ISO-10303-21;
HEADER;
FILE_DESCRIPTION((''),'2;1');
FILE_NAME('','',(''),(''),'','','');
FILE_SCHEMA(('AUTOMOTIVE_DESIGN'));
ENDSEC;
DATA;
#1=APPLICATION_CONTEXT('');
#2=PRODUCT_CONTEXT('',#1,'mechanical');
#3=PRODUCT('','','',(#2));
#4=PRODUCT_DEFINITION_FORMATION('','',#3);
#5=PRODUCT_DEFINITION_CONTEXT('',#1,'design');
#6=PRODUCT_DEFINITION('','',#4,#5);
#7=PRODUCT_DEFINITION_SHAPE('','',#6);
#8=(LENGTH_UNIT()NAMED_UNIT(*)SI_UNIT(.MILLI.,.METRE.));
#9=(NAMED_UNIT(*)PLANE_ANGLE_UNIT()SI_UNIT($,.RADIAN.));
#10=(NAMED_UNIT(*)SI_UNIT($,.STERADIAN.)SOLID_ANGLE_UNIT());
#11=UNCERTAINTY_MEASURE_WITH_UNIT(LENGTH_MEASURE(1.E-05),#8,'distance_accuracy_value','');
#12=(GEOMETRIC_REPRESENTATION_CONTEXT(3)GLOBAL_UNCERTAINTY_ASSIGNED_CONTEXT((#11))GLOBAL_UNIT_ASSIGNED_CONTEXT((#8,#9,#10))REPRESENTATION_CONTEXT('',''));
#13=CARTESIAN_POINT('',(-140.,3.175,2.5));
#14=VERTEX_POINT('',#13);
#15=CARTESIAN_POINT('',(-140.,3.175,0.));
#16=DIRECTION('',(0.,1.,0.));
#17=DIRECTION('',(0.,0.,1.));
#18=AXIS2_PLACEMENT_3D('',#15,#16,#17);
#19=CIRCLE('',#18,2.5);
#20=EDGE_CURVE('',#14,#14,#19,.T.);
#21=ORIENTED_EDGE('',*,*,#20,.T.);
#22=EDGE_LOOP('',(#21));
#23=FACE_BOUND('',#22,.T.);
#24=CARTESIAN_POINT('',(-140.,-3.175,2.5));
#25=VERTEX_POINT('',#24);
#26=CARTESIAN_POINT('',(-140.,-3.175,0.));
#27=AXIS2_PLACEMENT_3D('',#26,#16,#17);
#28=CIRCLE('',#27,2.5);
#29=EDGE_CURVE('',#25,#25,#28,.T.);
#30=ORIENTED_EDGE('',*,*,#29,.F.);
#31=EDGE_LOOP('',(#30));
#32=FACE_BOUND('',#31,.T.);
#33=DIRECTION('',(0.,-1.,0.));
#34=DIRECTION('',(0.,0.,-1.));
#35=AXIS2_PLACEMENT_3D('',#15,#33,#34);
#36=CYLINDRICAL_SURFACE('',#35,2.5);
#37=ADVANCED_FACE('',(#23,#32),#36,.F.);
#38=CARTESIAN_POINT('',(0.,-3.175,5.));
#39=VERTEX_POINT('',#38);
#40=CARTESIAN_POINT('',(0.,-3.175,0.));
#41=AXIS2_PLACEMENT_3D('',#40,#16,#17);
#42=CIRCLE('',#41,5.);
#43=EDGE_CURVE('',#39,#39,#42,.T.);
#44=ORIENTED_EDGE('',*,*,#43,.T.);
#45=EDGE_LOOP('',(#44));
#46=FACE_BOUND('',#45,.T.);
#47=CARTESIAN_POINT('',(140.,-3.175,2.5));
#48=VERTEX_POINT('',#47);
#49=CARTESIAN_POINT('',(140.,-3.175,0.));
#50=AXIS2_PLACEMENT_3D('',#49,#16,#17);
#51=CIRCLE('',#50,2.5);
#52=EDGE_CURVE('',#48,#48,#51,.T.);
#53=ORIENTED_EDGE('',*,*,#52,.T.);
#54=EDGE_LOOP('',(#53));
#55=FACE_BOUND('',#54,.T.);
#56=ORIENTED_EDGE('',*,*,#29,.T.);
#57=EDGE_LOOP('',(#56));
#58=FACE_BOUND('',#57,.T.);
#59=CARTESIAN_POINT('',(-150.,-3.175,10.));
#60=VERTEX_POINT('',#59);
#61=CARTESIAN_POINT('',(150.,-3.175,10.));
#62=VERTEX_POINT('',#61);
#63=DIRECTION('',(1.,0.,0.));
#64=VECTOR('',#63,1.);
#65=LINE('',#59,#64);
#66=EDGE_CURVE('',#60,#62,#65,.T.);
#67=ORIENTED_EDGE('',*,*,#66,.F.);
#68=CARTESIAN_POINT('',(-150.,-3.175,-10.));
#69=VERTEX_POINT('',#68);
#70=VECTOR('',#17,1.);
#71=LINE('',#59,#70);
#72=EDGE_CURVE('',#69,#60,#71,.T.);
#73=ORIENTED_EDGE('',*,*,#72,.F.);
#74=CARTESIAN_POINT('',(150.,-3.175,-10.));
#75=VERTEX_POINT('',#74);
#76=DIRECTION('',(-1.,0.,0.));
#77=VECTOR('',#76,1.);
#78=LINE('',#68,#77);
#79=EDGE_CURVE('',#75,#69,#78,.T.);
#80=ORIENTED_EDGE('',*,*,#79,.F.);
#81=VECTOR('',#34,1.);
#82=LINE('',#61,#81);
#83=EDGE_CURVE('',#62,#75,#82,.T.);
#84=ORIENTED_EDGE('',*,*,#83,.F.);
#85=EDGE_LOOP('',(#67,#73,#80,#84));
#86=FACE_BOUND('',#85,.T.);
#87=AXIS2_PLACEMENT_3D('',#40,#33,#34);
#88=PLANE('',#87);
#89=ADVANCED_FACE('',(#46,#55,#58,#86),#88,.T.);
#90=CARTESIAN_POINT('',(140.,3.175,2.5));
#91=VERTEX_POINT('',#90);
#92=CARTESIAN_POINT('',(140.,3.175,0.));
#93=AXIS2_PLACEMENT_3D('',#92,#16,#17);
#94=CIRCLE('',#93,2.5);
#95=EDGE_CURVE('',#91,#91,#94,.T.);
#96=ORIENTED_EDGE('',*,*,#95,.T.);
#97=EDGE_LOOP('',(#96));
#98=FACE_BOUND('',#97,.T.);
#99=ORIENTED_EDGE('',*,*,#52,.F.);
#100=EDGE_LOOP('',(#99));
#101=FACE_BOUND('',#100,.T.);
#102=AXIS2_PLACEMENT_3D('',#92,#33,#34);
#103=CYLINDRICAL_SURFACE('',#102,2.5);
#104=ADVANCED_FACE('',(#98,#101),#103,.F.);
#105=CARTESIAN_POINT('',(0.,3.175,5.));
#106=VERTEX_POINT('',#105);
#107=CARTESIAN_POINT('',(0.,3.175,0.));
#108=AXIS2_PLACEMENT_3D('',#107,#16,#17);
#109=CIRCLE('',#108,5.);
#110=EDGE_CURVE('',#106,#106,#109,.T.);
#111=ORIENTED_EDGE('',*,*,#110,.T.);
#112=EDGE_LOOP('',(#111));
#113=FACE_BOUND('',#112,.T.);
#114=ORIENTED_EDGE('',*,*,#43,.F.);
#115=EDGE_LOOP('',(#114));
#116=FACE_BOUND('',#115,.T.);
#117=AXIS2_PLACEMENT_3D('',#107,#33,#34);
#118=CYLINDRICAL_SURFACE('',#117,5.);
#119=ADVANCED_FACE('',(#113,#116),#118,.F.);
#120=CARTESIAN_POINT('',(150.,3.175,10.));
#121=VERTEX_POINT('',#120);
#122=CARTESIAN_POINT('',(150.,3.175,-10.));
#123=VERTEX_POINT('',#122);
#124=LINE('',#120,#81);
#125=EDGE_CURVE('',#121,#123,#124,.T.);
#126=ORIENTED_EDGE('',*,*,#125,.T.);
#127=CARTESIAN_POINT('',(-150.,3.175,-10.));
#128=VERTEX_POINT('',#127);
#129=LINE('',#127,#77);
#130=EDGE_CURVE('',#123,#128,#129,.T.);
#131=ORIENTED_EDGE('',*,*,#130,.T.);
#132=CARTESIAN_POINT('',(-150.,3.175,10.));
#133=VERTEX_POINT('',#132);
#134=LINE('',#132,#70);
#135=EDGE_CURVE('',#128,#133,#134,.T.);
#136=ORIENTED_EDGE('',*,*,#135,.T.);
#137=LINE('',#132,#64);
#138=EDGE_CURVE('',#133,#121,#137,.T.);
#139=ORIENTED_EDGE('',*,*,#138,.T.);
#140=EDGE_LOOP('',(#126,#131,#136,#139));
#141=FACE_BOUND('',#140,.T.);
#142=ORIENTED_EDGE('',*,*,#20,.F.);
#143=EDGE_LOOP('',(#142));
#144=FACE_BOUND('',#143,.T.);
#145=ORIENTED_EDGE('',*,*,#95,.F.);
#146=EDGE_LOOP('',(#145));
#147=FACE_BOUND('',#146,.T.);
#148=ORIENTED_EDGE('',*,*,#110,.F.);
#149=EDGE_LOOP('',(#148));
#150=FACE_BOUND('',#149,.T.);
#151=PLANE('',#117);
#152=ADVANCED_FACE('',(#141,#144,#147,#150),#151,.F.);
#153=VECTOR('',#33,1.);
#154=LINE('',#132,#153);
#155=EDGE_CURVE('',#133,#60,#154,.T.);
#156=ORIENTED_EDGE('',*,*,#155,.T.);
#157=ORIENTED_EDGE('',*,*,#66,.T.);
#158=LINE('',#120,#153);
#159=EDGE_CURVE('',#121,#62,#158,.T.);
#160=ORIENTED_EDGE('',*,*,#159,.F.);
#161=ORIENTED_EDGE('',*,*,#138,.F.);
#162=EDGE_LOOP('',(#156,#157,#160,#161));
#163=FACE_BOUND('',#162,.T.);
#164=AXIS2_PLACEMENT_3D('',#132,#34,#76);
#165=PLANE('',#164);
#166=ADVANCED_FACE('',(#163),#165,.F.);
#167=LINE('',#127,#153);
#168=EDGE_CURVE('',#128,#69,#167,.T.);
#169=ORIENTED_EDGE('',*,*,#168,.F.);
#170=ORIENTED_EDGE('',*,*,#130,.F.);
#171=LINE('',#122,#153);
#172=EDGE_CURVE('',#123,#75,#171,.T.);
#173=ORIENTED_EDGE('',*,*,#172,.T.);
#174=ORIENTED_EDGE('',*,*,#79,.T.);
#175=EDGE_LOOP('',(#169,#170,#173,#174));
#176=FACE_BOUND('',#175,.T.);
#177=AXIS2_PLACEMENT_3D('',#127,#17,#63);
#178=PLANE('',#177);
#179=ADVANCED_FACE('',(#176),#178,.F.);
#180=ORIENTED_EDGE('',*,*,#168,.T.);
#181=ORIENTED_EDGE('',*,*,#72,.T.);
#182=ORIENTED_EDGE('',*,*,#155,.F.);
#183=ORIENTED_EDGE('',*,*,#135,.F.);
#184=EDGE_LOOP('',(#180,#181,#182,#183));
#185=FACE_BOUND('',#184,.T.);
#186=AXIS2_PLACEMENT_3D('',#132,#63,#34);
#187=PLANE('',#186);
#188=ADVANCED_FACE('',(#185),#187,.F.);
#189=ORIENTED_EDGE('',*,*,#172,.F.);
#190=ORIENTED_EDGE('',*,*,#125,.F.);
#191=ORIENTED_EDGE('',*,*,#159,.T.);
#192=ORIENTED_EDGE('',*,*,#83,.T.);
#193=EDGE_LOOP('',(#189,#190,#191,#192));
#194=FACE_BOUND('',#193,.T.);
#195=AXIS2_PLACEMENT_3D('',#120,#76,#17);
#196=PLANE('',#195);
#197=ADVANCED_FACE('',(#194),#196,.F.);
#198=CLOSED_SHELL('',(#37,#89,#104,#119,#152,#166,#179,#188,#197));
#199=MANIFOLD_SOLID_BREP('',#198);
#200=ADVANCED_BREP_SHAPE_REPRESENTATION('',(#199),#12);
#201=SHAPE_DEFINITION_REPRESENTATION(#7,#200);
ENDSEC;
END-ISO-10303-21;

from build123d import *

# Parameters (mm, degrees)
SKETCH1_W           = 300
SKETCH1_H           = 20
SKETCH1_R           = 5
SKETCH1_R_2         = 2.5
BOSS_EXTRUDE1_DEPTH = 3.175


with BuildPart() as part:
    # Sketch1 → Boss-Extrude1 (new, symmetric)
    with BuildSketch(Plane(origin=(0, 0, 0), x_dir=(1, 0, 0), z_dir=(0, 1, 0))):
        Rectangle(SKETCH1_W, SKETCH1_H)
        with Locations(Location((0, 0, 0), (0, 0, 270))):
            Circle(SKETCH1_R, mode=Mode.SUBTRACT)
        with Locations(Location((-140, 0, 0), (0, 0, 270))):
            Circle(SKETCH1_R_2, mode=Mode.SUBTRACT)
        with Locations(Location((140, 0, 0), (0, 0, 270))):
            Circle(SKETCH1_R_2, mode=Mode.SUBTRACT)
    extrude(amount=BOSS_EXTRUDE1_DEPTH, both=True)


solid = part.part
